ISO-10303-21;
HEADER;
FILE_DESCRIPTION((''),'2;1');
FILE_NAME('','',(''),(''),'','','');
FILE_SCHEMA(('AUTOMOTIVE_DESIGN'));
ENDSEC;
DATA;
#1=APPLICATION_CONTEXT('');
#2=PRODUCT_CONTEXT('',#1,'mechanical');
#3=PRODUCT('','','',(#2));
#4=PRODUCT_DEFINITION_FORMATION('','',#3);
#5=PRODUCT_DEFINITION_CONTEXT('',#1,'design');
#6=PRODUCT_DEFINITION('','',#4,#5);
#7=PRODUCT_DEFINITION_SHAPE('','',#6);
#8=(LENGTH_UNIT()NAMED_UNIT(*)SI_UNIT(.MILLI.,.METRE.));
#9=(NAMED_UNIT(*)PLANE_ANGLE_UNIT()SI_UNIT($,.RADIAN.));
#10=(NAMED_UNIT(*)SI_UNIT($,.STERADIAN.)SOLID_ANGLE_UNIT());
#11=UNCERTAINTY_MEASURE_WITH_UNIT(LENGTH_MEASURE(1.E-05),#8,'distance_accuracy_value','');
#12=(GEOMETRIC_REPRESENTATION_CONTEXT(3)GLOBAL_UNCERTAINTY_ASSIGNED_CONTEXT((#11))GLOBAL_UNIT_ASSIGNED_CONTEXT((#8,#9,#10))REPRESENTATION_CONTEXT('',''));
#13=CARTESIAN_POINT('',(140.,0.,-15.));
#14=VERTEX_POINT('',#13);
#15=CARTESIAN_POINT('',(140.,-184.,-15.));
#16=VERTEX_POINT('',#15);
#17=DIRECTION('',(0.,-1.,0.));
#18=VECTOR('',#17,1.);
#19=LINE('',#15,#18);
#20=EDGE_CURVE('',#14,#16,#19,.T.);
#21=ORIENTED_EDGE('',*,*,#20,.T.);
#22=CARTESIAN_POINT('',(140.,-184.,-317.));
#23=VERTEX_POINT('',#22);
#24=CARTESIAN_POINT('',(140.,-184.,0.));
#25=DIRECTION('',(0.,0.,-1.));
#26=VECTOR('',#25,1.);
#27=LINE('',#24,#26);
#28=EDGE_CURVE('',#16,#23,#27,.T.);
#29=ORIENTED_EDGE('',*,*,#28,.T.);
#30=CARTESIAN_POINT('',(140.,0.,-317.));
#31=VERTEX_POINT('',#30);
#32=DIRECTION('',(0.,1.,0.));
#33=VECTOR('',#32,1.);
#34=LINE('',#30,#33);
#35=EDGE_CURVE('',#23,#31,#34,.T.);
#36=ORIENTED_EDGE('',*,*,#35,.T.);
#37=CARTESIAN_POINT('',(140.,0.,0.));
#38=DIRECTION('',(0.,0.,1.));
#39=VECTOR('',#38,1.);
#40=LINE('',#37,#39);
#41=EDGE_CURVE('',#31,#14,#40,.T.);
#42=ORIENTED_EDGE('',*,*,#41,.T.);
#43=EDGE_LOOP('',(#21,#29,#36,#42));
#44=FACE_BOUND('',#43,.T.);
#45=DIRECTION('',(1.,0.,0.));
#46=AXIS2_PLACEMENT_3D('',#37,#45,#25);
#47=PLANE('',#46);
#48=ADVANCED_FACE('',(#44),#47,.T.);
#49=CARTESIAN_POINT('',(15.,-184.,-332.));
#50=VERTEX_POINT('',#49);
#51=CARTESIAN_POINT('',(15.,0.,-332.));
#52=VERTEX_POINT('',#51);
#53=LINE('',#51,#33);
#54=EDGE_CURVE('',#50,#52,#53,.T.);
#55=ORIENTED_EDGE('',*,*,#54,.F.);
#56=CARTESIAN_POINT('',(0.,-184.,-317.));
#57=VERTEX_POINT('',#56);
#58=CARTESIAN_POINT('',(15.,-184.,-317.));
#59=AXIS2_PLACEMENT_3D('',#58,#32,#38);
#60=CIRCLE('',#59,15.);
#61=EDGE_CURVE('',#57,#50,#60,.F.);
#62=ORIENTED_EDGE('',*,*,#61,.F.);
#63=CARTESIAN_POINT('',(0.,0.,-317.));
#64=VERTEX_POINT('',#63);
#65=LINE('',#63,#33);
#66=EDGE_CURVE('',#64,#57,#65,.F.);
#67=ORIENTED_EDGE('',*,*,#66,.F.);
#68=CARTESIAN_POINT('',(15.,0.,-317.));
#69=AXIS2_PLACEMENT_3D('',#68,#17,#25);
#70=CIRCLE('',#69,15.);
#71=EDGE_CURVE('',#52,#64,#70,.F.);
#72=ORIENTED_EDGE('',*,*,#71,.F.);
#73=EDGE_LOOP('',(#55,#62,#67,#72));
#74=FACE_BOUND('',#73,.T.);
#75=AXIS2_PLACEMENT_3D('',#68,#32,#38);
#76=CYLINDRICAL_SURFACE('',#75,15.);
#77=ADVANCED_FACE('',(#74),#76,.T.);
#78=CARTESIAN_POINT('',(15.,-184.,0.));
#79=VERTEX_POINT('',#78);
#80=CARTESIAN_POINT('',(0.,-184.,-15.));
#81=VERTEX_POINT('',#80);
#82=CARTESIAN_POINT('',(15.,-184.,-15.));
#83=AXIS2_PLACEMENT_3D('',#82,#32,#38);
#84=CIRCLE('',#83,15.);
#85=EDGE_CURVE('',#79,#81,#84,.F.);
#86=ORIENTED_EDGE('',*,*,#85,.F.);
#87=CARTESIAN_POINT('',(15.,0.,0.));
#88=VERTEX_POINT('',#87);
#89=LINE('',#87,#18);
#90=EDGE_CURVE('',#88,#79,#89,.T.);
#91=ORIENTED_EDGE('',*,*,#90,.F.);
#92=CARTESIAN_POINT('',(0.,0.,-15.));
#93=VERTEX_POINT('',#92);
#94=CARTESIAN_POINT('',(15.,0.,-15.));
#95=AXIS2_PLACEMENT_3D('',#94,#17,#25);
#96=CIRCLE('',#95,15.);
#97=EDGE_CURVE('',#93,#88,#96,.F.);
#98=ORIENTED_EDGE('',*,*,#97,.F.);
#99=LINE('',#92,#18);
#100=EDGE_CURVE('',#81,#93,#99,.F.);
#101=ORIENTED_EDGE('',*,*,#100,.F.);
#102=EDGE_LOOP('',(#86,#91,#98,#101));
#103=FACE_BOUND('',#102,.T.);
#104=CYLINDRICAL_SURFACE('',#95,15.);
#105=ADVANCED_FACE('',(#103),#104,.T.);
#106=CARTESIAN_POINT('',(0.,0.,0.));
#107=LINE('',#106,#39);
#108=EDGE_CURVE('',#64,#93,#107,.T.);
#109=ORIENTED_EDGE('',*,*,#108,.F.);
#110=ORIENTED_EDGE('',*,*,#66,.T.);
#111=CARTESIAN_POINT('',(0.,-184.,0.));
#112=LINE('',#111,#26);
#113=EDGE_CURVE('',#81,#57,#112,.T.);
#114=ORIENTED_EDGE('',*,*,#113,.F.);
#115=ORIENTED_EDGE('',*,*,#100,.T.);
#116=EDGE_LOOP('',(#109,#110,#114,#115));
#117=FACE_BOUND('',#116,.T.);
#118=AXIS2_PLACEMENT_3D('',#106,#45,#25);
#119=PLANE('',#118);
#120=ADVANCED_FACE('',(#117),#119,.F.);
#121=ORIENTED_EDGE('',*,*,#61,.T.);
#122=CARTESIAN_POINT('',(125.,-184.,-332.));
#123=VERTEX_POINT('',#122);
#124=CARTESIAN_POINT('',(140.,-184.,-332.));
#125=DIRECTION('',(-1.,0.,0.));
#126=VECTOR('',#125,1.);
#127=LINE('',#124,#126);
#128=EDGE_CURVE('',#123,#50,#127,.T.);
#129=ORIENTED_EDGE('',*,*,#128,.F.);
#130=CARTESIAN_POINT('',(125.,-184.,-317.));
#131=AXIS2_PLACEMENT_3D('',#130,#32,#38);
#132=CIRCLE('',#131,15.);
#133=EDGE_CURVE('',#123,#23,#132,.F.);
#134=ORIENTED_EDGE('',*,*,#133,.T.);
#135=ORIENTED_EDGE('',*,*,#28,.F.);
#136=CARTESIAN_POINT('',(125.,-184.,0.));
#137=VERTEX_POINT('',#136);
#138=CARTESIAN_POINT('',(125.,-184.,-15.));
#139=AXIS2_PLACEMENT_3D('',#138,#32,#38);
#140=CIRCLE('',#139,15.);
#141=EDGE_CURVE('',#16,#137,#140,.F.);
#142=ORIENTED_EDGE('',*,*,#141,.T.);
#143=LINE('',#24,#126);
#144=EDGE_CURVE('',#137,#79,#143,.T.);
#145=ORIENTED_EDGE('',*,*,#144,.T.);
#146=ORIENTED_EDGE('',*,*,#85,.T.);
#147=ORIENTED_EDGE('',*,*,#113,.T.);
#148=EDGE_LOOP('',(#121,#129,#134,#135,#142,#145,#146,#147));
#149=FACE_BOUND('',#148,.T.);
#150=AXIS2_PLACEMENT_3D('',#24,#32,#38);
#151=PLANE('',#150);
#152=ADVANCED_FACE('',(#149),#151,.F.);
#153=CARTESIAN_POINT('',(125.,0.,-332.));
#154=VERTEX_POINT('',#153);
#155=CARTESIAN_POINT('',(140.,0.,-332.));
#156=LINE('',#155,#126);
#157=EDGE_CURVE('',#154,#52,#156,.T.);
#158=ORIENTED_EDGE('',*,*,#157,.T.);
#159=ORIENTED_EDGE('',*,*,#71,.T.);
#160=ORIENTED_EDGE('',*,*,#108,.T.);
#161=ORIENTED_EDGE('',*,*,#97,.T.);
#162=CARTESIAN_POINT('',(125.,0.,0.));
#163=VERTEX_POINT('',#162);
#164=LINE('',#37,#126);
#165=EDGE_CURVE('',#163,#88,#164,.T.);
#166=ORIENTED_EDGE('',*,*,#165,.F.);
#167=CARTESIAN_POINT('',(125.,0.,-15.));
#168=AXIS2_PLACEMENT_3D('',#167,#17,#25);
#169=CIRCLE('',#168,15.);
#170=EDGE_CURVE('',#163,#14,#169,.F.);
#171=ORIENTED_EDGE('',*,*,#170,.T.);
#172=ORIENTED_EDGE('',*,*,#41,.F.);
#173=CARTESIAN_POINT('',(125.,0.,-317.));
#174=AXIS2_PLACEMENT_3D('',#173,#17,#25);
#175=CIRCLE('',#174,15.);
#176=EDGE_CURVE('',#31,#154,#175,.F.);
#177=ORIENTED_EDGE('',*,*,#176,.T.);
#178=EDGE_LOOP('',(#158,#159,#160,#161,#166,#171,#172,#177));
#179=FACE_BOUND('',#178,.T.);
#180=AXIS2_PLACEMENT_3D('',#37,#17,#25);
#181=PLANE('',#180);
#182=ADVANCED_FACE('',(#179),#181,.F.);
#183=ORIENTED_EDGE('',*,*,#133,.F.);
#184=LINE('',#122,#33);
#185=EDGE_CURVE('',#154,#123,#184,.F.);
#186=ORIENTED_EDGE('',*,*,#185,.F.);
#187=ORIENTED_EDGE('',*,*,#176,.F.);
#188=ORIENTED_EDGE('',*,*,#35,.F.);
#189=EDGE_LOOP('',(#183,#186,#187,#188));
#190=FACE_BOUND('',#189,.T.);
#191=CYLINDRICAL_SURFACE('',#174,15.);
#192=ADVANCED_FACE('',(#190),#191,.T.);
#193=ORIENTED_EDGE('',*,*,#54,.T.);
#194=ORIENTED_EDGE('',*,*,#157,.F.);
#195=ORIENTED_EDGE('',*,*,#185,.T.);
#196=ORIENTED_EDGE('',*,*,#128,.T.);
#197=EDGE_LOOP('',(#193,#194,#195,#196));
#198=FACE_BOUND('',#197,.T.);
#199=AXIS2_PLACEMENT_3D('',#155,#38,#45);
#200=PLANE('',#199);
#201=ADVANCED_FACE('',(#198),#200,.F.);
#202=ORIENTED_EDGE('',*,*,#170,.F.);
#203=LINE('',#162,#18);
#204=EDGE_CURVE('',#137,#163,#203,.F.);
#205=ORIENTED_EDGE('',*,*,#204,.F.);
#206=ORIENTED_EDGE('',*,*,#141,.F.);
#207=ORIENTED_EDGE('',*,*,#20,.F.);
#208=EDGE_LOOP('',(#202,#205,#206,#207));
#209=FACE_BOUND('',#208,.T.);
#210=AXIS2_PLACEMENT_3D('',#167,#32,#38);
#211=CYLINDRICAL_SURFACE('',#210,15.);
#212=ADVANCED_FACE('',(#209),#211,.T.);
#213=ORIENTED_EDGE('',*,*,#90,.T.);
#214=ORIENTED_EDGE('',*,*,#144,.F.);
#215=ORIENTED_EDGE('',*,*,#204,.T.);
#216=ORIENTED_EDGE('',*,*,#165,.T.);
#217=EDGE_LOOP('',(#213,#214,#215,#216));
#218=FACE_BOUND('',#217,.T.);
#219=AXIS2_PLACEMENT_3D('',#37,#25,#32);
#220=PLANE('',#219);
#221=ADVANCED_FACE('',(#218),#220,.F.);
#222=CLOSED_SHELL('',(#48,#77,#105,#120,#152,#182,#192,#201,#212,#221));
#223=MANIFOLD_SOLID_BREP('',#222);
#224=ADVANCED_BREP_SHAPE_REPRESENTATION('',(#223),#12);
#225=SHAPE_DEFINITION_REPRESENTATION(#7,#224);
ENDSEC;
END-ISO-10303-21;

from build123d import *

# Parameters (mm, degrees)
SKETCH_1_W      = 332
SKETCH_1_H      = 184
EXTRUDE_1_DEPTH = 140
FILLET_1_R      = 15


with BuildPart() as part:
    # 草图1 → 凸台-拉伸1 (new body)
    with BuildSketch(Plane(origin=(0, 0, 0), x_dir=(0, 0, -1), z_dir=(1, 0, 0))):
        with Locations((166, -92)):
            Rectangle(SKETCH_1_W, SKETCH_1_H)
    extrude(amount=EXTRUDE_1_DEPTH)

    # 圆角1
    fillet_1_edges = [part.edges().sort_by_distance(p)[0] for p in [
        (140, -92, -332),
        (140, -92, 0),
        (0, -92, -332),
        (0, -92, 0),
    ]]
    fillet(fillet_1_edges, radius=FILLET_1_R)


solid = part.part
